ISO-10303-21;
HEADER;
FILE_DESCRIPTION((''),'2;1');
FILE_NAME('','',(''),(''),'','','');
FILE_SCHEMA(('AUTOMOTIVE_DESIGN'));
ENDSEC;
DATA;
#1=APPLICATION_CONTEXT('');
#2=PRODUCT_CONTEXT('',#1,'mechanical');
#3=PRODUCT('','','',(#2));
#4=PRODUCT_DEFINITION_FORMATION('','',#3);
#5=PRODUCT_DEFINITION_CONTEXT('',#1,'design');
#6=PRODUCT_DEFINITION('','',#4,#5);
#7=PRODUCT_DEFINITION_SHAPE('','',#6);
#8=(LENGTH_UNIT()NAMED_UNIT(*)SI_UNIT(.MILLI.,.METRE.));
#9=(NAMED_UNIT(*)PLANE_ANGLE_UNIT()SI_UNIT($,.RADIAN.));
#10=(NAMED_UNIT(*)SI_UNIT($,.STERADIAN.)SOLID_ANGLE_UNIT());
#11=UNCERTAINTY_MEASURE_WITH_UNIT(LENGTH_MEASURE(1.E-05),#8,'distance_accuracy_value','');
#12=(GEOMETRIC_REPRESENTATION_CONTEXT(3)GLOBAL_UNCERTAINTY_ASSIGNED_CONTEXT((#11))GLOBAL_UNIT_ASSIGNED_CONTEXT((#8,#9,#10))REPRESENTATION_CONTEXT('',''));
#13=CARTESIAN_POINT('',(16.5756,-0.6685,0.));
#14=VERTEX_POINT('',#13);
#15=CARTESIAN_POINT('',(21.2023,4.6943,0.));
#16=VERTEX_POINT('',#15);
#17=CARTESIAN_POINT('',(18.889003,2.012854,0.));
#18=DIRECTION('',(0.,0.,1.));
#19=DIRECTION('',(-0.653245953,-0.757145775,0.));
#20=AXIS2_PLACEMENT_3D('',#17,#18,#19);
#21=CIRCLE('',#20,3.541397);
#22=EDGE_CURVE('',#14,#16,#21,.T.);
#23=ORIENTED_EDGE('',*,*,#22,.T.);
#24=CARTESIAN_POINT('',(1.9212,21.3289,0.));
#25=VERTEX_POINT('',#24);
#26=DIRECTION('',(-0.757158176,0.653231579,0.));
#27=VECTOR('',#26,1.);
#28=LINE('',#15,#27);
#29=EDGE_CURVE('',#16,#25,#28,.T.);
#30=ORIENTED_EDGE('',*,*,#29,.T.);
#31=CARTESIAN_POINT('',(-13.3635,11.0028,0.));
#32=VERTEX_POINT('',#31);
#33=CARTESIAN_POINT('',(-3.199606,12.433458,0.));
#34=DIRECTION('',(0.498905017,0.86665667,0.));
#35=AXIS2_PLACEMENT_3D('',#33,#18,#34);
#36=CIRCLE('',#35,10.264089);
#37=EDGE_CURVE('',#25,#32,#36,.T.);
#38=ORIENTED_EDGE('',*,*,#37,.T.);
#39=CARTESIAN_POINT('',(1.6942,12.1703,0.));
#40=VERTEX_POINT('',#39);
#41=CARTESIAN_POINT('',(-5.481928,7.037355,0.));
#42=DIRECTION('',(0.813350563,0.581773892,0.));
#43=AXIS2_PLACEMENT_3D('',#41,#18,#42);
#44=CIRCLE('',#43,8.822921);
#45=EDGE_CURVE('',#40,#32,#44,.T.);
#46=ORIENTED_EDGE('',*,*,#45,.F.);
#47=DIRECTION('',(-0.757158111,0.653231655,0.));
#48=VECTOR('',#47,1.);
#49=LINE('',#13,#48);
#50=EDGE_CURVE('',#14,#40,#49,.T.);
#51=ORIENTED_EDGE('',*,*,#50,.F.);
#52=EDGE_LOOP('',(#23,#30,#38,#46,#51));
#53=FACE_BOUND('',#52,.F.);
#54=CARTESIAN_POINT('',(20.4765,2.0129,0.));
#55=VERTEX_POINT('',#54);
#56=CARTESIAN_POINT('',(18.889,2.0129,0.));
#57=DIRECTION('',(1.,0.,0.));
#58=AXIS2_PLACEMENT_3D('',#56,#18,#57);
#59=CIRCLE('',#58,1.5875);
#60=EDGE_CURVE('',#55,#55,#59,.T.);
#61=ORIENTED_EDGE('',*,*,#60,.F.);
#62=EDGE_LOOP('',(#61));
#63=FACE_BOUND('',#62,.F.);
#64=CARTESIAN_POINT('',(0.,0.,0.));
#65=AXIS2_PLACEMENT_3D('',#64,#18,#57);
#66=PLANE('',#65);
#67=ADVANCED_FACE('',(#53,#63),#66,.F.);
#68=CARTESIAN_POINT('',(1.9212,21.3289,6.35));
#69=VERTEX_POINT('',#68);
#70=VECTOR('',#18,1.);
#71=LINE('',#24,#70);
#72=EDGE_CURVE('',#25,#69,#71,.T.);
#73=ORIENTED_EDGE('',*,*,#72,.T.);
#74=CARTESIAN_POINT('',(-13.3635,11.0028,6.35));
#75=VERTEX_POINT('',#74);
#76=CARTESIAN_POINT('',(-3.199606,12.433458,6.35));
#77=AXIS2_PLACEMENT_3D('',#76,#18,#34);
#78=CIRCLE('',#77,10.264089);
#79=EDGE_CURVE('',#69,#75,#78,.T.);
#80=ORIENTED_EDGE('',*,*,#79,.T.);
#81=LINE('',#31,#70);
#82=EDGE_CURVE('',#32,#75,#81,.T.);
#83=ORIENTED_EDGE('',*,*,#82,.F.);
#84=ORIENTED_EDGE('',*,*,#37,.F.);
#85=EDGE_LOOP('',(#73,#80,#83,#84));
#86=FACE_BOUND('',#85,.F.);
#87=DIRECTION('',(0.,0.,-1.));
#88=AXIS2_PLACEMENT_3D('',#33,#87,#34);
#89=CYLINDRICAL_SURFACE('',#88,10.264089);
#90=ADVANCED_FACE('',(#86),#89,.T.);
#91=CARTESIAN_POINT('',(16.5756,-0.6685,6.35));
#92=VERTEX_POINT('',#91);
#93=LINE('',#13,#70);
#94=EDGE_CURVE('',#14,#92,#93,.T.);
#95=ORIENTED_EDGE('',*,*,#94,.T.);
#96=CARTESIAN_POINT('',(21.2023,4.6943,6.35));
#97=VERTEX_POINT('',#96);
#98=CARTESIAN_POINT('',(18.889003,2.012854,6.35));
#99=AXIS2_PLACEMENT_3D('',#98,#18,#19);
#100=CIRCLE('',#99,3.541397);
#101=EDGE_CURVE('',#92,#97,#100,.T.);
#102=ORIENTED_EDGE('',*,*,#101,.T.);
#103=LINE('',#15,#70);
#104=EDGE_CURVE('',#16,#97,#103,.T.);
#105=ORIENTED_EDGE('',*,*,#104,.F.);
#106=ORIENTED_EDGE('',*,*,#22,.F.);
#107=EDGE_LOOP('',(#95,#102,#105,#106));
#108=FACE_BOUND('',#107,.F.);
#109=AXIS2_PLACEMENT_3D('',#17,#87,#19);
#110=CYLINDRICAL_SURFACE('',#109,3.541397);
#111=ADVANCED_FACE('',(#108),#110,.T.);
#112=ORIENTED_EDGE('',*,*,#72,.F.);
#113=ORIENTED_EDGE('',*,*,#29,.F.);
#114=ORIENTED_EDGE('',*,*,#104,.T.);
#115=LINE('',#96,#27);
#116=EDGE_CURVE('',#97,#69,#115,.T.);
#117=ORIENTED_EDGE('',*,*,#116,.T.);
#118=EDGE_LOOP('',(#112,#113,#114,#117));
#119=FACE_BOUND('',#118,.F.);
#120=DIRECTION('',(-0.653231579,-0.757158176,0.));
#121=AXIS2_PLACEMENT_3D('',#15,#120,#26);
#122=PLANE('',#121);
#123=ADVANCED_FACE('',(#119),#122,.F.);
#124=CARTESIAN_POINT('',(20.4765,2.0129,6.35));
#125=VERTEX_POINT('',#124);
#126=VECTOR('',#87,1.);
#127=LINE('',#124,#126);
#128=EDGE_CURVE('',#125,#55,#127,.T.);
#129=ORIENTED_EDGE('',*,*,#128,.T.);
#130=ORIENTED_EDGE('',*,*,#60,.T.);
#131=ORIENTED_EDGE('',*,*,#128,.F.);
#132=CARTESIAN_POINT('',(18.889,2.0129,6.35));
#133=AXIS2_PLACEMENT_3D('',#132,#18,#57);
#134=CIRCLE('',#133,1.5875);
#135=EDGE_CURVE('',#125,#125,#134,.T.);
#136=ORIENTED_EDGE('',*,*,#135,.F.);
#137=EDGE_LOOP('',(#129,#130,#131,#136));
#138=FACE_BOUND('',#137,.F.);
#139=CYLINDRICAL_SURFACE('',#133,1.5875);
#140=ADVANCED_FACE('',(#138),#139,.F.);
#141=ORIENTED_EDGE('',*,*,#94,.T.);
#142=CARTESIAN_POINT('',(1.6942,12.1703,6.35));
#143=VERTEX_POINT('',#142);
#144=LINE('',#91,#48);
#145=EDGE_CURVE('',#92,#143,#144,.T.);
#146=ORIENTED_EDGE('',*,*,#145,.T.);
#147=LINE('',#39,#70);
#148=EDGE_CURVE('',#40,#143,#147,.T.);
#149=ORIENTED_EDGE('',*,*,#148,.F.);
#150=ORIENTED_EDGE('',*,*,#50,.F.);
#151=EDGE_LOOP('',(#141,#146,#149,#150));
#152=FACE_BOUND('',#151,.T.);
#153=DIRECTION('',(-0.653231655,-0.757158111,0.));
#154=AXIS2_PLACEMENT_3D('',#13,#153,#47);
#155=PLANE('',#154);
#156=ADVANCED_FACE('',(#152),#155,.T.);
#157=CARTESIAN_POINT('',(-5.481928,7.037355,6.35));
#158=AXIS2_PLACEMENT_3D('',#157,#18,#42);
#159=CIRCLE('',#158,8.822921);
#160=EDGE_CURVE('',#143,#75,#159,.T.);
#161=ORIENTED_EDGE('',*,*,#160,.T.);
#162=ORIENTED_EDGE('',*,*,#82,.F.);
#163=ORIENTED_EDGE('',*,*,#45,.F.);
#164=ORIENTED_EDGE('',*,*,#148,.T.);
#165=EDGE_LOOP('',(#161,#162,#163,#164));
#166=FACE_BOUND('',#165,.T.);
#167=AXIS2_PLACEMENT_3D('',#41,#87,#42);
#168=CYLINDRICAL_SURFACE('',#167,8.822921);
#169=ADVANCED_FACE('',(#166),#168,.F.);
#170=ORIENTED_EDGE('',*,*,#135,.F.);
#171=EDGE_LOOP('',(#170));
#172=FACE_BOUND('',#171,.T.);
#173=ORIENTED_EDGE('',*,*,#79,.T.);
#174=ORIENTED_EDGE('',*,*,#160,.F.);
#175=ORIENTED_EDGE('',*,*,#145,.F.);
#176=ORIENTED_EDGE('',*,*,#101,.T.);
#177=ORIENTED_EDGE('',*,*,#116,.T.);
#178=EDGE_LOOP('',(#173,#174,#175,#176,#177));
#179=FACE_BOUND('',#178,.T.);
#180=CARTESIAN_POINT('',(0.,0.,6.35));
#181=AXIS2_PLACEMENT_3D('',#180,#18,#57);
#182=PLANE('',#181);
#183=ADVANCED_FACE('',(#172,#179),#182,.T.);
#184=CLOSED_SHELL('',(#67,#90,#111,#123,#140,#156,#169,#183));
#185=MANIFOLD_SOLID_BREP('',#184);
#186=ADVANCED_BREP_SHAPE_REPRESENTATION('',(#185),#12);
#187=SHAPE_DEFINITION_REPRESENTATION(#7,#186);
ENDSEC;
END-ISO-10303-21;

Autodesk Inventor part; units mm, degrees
ref_plane "YZ Plane" through (0, 0, 0) normal (1, 0, 0) x (0, 1, 0)
ref_plane "XZ Plane" through (0, 0, 0) normal (0, 1, 0) x (-1, 0, 0)
ref_plane "XY Plane" through (0, 0, 0) normal (0, 0, 1) x (1, 0, 0)
sketch "Sketch1" plane through (0, 0, 0) normal (0, 0, 1) x (1, 0, 0)
  arc A0 (16.5756, -0.6685) -> (21.2023, 4.6943) centre (18.889, 2.0129) ccw
  line L0 (21.2023, 4.6943) -> (1.9212, 21.3289)
  line L1 (16.5756, -0.6685) -> (1.6942, 12.1703)
  arc A1 (1.9212, 21.3289) -> (-13.3635, 11.0028) centre (-3.1996, 12.4333) ccw
  arc A2 (1.6942, 12.1703) -> (-13.3635, 11.0028) centre (-5.482, 7.0372) ccw
  point P0 (0, 0)
  point P1 (0, 0)
extrude "Extrusion1" add sketch "Sketch1" along normal blind 6.35
sketch "Sketch2" plane through (0, 0, 6.35) normal (0, 0, 1) x (1, 0, 0)
  arc A0 (16.5756, -0.6685) -> (21.2023, 4.6943) centre (18.889, 2.0129) ccw projected
  circle A1 centre (18.889, 2.0129) radius 1.5875
  point P0 (0, 0)
  dimension "d2" = 3.175
extrude "Extrusion2" cut sketch "Sketch2" against normal blind 6.35
properties part number "ratchet stop mk 2"
